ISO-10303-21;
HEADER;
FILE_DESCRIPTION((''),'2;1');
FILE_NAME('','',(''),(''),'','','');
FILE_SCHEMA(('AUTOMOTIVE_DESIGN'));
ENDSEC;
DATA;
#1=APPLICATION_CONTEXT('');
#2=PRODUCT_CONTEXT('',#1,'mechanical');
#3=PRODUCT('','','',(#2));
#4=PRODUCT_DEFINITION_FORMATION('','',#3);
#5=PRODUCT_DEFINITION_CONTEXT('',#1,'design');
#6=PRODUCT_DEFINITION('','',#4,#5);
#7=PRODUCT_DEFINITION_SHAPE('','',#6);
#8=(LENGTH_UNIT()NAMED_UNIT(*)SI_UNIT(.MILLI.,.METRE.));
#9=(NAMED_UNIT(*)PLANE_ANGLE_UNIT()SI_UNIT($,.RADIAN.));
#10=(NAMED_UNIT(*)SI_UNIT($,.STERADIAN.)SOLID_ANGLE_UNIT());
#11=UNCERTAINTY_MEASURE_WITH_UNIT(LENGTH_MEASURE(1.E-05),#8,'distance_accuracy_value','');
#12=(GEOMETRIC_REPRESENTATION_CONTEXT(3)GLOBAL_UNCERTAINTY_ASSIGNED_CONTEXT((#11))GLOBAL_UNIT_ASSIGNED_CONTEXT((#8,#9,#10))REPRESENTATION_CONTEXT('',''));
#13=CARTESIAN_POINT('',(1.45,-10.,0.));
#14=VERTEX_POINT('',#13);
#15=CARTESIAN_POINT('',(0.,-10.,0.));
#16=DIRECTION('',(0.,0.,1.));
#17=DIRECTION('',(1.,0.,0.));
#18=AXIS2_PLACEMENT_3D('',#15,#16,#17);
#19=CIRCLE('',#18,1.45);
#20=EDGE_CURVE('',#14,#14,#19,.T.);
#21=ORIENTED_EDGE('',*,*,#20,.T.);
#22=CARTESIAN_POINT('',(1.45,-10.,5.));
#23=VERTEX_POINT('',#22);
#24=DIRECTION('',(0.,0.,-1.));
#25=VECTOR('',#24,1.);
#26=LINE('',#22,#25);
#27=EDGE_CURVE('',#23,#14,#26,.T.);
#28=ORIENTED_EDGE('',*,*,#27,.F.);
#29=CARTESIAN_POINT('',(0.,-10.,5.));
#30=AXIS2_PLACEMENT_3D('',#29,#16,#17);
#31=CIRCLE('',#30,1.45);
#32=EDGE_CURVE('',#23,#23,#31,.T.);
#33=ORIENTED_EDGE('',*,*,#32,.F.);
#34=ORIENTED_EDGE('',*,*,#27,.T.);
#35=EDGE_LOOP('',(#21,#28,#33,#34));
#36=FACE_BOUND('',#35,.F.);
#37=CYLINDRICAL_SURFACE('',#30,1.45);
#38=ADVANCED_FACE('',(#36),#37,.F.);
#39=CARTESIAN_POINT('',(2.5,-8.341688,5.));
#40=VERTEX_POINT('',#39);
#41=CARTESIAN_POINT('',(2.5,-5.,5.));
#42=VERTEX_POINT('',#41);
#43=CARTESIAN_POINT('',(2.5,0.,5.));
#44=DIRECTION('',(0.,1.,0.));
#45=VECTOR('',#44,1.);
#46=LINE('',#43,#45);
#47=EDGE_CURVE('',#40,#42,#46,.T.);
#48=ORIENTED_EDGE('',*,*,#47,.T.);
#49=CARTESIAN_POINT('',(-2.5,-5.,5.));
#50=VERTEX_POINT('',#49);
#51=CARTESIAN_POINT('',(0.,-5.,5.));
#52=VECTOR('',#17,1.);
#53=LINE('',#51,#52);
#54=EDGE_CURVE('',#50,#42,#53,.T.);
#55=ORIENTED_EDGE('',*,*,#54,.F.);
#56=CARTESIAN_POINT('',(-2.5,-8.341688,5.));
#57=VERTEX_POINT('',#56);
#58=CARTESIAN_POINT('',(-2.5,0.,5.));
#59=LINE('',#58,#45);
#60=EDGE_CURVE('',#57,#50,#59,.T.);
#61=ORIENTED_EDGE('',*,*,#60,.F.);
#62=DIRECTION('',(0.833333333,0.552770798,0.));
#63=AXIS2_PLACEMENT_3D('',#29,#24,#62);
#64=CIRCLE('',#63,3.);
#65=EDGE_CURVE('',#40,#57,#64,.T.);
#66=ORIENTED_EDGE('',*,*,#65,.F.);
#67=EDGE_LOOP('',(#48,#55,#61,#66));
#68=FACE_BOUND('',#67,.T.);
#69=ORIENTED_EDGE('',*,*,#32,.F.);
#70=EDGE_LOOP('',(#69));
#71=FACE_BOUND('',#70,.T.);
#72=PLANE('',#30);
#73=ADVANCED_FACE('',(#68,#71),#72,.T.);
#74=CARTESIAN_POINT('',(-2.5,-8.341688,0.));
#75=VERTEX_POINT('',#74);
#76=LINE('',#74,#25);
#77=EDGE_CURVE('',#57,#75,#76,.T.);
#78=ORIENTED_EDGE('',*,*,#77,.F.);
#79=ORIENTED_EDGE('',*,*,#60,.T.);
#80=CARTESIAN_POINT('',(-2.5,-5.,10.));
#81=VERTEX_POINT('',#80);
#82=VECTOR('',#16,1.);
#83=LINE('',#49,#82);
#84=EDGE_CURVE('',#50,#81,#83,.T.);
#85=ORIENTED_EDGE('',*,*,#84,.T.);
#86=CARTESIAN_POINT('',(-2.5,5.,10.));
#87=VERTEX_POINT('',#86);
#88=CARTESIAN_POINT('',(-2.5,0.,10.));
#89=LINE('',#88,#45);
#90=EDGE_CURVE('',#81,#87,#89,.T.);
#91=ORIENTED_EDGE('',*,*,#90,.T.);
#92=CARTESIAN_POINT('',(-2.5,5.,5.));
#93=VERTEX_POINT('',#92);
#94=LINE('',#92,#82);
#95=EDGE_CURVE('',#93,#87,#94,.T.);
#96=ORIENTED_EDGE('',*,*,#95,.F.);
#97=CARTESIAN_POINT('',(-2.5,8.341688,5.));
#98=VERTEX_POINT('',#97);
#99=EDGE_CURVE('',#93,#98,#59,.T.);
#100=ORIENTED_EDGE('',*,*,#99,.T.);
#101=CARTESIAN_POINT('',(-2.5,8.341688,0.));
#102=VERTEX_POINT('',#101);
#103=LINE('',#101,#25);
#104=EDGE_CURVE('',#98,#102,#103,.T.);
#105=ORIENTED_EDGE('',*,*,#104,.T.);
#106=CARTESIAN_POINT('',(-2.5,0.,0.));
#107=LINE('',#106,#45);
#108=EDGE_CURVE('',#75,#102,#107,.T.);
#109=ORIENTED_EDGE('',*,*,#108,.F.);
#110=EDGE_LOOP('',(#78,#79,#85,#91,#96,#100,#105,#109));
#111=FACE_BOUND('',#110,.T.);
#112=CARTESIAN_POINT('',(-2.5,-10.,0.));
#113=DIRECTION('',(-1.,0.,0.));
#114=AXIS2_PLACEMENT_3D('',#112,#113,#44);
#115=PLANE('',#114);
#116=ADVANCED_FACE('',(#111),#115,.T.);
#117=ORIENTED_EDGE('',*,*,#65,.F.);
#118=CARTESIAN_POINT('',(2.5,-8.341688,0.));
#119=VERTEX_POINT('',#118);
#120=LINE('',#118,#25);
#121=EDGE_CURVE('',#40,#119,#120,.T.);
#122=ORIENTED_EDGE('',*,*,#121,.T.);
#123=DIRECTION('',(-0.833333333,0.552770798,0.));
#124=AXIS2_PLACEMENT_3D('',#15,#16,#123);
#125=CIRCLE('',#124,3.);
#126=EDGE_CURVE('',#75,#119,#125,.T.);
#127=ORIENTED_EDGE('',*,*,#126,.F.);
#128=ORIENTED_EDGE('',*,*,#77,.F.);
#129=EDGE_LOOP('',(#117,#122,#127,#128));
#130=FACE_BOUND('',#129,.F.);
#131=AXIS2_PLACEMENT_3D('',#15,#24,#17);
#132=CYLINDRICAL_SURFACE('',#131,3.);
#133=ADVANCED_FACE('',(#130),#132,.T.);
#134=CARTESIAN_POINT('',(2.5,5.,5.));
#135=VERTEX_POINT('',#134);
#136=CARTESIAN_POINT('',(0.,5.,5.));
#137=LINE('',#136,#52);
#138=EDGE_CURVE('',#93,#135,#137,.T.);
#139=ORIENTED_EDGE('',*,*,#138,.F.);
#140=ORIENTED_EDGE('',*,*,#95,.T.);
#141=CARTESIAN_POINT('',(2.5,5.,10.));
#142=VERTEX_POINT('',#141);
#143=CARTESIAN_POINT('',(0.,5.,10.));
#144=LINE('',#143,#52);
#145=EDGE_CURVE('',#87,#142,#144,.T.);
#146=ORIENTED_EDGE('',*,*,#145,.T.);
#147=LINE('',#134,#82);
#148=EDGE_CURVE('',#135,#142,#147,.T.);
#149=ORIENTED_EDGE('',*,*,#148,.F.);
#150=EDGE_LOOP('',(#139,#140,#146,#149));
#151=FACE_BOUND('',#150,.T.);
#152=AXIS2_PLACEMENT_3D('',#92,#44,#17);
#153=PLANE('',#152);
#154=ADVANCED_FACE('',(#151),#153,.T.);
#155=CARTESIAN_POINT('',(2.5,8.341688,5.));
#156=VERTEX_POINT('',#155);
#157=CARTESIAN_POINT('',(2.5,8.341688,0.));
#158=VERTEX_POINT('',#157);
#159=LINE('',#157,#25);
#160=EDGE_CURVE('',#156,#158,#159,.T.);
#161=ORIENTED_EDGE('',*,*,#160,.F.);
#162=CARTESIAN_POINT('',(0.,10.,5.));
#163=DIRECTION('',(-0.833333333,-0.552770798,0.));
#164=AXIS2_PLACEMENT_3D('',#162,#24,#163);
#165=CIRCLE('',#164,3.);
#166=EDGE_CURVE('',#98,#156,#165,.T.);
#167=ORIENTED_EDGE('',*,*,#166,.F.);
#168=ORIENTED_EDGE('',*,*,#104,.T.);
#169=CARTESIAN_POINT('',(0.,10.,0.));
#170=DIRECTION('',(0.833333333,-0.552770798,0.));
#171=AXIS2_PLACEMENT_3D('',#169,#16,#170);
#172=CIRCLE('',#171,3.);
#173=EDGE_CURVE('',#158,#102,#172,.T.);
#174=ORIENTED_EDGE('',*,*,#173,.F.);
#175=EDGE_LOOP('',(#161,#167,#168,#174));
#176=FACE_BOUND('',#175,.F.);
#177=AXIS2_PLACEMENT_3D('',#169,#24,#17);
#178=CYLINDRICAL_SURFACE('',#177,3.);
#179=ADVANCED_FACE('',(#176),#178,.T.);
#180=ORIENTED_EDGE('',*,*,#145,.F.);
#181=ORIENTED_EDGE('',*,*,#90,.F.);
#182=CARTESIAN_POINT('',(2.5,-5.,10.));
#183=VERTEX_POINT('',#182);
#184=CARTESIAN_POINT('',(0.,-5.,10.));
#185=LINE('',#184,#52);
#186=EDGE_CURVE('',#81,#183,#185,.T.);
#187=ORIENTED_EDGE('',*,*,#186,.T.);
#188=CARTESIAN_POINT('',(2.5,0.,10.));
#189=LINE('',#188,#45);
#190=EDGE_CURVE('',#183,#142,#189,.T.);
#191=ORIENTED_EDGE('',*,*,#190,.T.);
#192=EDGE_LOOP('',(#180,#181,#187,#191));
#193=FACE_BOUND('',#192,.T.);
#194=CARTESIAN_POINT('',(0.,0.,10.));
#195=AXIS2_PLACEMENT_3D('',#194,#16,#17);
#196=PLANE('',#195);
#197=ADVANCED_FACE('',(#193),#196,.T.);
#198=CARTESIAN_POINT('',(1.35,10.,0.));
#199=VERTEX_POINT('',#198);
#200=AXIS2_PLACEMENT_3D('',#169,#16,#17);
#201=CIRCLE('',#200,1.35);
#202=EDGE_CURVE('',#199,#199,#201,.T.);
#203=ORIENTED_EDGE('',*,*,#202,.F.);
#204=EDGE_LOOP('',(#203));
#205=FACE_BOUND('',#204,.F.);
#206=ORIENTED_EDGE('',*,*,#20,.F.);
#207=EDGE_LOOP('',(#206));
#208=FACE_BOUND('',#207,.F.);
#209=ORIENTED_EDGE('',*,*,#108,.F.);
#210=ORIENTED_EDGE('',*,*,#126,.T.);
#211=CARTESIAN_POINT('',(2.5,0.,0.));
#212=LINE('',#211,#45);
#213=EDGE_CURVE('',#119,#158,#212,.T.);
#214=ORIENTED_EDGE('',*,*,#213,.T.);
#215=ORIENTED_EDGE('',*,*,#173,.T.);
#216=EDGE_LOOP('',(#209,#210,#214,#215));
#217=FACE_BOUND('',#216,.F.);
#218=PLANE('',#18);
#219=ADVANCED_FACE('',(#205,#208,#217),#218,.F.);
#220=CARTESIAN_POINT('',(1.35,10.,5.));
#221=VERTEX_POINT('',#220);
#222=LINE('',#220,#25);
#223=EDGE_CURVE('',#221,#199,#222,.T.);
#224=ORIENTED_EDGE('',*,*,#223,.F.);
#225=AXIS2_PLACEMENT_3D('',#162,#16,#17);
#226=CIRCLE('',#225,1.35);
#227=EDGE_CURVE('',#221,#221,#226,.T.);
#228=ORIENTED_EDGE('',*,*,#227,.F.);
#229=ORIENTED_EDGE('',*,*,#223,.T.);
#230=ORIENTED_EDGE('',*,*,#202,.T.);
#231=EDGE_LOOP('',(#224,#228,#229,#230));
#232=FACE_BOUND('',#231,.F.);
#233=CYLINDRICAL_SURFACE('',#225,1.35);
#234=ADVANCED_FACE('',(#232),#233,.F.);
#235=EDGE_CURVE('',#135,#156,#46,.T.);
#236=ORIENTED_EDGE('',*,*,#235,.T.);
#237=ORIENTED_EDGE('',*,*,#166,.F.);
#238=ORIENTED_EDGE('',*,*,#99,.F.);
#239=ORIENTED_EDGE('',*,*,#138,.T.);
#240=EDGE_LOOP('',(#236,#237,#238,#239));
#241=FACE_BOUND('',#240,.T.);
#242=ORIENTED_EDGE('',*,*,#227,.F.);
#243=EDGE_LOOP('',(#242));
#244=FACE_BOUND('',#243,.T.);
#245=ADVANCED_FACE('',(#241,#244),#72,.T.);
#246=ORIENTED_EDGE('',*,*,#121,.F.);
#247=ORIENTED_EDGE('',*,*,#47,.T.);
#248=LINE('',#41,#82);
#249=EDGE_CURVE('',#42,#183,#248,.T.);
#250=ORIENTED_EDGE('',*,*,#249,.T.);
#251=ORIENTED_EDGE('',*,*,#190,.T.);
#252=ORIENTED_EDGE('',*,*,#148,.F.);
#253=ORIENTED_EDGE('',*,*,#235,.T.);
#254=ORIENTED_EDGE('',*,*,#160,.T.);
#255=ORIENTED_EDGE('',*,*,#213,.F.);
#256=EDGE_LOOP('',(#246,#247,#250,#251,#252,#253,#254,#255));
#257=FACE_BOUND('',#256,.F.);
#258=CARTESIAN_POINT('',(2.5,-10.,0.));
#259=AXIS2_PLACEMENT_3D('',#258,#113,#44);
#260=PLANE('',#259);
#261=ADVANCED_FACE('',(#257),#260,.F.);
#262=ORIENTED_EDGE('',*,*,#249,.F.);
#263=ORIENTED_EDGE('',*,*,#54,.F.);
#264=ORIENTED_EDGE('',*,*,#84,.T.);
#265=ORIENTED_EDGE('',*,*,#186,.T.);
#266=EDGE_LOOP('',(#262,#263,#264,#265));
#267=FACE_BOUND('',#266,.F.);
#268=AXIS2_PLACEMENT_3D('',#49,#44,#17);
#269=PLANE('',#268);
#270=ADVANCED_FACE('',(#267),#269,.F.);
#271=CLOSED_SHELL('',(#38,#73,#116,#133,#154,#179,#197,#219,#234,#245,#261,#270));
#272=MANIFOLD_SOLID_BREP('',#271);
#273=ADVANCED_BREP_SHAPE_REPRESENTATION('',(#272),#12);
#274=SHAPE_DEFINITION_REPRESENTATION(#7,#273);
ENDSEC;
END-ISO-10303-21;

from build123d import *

# Parameters (mm, degrees)
F0_W      = 5
F0_H      = 20
F1_DEPTH  = 5
F2_R      = 3
F3_DEPTH  = 5
F4_R      = 3
F5_DEPTH  = 5
F6_R      = 1.35
F7_DEPTH  = 5
F8_R      = 1.45
F9_DEPTH  = 5
F10_W     = 5
F10_H     = 10
F11_DEPTH = 5


with BuildPart() as f1:
    # F0 (on Top) → F1 (new body)
    with BuildSketch(Plane.XY):
        Rectangle(F0_W, F0_H)
    extrude(amount=F1_DEPTH)

    # F2 (on Top) → F3 (join)
    with BuildSketch(Plane.XY):
        with Locations((0, 10)):
            Circle(F2_R)
    extrude(amount=F3_DEPTH)

    # F4 (on Top) → F5 (join)
    with BuildSketch(Plane.XY):
        with Locations((0, -10)):
            Circle(F4_R)
    extrude(amount=F5_DEPTH)

    # F6 (on face) → F7 (cut)
    with BuildSketch(Plane.XY.offset(5)):
        with Locations((0, 10)):
            Circle(F6_R)
    extrude(amount=-F7_DEPTH, mode=Mode.SUBTRACT)

    # F8 (on face) → F9 (cut)
    with BuildSketch(Plane.XY.offset(5)):
        with Locations((0, -10)):
            Circle(F8_R)
    extrude(amount=-F9_DEPTH, mode=Mode.SUBTRACT)

    # F10 (on face) → F11 (join)
    with BuildSketch(Plane.XY.offset(5)):
        Rectangle(F10_W, F10_H)
    extrude(amount=F11_DEPTH)


solid = f1.part
